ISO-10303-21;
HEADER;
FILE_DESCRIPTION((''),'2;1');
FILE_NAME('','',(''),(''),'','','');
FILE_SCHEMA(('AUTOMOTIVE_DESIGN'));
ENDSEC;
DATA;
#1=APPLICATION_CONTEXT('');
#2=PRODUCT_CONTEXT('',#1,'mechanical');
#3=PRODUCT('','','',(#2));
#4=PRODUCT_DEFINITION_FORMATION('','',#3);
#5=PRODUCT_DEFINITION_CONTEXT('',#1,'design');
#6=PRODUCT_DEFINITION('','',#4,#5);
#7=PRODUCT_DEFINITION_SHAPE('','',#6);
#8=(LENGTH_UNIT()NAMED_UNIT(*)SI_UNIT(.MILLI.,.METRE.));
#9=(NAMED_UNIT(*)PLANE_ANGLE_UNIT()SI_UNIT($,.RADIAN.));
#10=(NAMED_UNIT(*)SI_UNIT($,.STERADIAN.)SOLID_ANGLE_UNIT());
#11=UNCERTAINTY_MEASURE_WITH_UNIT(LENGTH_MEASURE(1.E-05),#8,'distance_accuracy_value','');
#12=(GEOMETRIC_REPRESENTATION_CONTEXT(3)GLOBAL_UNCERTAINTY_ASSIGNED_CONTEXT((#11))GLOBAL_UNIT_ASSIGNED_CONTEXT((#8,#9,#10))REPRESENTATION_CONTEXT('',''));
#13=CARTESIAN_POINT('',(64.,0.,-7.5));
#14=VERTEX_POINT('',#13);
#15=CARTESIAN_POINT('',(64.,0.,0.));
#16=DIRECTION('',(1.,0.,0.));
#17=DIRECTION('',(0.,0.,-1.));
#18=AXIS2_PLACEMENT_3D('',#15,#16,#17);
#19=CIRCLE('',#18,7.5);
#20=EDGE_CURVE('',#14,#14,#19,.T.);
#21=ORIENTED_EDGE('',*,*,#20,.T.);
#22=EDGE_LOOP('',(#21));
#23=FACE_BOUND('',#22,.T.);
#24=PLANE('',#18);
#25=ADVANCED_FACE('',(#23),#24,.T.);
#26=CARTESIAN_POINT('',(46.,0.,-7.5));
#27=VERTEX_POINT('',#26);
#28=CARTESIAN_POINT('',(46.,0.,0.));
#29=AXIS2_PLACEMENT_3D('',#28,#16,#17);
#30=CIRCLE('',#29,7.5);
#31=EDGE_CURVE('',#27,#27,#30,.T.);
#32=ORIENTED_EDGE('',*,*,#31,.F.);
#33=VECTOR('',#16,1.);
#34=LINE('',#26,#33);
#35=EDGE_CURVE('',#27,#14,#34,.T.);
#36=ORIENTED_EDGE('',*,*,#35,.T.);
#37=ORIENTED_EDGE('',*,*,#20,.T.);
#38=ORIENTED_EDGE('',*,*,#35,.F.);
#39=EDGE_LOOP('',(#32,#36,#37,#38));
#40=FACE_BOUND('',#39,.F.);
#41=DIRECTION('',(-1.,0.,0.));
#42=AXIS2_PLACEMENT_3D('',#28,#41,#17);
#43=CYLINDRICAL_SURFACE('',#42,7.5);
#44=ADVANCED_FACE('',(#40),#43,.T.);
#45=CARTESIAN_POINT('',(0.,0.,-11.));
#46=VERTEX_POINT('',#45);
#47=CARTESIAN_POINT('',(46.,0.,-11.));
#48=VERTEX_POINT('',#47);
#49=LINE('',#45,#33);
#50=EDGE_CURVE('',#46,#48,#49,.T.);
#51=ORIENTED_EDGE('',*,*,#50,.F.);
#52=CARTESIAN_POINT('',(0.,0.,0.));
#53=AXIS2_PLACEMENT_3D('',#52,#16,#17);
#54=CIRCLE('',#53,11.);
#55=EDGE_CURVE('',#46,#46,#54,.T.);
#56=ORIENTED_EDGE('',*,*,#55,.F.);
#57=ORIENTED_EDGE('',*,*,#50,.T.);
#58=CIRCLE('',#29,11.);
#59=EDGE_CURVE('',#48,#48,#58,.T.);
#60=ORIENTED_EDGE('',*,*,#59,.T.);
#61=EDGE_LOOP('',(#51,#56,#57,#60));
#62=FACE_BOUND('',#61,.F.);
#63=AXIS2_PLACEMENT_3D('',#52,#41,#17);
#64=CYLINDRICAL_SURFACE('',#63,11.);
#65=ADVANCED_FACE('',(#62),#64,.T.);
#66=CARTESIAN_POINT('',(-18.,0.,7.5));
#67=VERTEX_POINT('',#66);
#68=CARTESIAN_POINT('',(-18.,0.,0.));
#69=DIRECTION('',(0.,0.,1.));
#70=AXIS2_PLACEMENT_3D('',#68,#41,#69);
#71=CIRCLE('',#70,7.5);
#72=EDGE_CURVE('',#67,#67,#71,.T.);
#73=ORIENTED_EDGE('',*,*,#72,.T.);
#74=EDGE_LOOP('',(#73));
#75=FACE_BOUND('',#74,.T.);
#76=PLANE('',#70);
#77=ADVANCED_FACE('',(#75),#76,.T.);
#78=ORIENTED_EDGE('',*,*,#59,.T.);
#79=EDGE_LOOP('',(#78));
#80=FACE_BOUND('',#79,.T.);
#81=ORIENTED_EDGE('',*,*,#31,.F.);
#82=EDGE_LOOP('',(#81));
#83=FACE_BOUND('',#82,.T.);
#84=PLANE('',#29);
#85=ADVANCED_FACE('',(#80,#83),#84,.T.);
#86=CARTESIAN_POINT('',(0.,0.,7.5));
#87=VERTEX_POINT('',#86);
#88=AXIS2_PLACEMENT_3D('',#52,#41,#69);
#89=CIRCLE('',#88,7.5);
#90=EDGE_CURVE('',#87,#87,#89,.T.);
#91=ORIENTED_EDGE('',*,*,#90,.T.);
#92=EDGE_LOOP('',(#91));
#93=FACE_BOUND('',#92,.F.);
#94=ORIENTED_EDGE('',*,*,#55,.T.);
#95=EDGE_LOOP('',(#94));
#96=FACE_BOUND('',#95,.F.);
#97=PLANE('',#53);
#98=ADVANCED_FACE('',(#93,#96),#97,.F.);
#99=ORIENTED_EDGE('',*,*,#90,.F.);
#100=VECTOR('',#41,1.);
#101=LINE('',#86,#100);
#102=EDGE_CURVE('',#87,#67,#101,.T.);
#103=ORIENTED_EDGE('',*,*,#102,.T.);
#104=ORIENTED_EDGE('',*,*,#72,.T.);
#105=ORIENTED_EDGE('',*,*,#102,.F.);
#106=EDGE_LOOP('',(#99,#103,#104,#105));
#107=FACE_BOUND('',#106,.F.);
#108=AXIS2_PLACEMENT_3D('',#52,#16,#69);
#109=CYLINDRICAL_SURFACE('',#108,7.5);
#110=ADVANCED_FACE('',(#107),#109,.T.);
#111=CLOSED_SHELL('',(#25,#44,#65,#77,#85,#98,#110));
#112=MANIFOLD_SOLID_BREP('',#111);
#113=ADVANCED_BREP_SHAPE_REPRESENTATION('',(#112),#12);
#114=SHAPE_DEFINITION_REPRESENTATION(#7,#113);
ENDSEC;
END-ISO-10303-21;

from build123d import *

# Parameters (mm, degrees)
SKETCH1_R           = 11
BOSS_EXTRUDE1_DEPTH = 46
SKETCH2_R           = 7.5
BOSS_EXTRUDE2_DEPTH = 18
SKETCH3_R           = 7.5
BOSS_EXTRUDE3_DEPTH = 18


with BuildPart() as part:
    # Sketch1 → Boss-Extrude1 (new body)
    with BuildSketch(Plane(origin=(0, 0, 0), x_dir=(0, 0, -1), z_dir=(1, 0, 0))):
        Circle(SKETCH1_R)
    extrude(amount=BOSS_EXTRUDE1_DEPTH)

    # Sketch2 → Boss-Extrude2 (add)
    with BuildSketch(Plane(origin=(46, 0, 0), x_dir=(0, 0, -1), z_dir=(1, 0, 0))):
        Circle(SKETCH2_R)
    extrude(amount=BOSS_EXTRUDE2_DEPTH)

    # Sketch3 → Boss-Extrude3 (add)
    with BuildSketch(Plane.ZY):
        Circle(SKETCH3_R)
    extrude(amount=BOSS_EXTRUDE3_DEPTH)


solid = part.part
